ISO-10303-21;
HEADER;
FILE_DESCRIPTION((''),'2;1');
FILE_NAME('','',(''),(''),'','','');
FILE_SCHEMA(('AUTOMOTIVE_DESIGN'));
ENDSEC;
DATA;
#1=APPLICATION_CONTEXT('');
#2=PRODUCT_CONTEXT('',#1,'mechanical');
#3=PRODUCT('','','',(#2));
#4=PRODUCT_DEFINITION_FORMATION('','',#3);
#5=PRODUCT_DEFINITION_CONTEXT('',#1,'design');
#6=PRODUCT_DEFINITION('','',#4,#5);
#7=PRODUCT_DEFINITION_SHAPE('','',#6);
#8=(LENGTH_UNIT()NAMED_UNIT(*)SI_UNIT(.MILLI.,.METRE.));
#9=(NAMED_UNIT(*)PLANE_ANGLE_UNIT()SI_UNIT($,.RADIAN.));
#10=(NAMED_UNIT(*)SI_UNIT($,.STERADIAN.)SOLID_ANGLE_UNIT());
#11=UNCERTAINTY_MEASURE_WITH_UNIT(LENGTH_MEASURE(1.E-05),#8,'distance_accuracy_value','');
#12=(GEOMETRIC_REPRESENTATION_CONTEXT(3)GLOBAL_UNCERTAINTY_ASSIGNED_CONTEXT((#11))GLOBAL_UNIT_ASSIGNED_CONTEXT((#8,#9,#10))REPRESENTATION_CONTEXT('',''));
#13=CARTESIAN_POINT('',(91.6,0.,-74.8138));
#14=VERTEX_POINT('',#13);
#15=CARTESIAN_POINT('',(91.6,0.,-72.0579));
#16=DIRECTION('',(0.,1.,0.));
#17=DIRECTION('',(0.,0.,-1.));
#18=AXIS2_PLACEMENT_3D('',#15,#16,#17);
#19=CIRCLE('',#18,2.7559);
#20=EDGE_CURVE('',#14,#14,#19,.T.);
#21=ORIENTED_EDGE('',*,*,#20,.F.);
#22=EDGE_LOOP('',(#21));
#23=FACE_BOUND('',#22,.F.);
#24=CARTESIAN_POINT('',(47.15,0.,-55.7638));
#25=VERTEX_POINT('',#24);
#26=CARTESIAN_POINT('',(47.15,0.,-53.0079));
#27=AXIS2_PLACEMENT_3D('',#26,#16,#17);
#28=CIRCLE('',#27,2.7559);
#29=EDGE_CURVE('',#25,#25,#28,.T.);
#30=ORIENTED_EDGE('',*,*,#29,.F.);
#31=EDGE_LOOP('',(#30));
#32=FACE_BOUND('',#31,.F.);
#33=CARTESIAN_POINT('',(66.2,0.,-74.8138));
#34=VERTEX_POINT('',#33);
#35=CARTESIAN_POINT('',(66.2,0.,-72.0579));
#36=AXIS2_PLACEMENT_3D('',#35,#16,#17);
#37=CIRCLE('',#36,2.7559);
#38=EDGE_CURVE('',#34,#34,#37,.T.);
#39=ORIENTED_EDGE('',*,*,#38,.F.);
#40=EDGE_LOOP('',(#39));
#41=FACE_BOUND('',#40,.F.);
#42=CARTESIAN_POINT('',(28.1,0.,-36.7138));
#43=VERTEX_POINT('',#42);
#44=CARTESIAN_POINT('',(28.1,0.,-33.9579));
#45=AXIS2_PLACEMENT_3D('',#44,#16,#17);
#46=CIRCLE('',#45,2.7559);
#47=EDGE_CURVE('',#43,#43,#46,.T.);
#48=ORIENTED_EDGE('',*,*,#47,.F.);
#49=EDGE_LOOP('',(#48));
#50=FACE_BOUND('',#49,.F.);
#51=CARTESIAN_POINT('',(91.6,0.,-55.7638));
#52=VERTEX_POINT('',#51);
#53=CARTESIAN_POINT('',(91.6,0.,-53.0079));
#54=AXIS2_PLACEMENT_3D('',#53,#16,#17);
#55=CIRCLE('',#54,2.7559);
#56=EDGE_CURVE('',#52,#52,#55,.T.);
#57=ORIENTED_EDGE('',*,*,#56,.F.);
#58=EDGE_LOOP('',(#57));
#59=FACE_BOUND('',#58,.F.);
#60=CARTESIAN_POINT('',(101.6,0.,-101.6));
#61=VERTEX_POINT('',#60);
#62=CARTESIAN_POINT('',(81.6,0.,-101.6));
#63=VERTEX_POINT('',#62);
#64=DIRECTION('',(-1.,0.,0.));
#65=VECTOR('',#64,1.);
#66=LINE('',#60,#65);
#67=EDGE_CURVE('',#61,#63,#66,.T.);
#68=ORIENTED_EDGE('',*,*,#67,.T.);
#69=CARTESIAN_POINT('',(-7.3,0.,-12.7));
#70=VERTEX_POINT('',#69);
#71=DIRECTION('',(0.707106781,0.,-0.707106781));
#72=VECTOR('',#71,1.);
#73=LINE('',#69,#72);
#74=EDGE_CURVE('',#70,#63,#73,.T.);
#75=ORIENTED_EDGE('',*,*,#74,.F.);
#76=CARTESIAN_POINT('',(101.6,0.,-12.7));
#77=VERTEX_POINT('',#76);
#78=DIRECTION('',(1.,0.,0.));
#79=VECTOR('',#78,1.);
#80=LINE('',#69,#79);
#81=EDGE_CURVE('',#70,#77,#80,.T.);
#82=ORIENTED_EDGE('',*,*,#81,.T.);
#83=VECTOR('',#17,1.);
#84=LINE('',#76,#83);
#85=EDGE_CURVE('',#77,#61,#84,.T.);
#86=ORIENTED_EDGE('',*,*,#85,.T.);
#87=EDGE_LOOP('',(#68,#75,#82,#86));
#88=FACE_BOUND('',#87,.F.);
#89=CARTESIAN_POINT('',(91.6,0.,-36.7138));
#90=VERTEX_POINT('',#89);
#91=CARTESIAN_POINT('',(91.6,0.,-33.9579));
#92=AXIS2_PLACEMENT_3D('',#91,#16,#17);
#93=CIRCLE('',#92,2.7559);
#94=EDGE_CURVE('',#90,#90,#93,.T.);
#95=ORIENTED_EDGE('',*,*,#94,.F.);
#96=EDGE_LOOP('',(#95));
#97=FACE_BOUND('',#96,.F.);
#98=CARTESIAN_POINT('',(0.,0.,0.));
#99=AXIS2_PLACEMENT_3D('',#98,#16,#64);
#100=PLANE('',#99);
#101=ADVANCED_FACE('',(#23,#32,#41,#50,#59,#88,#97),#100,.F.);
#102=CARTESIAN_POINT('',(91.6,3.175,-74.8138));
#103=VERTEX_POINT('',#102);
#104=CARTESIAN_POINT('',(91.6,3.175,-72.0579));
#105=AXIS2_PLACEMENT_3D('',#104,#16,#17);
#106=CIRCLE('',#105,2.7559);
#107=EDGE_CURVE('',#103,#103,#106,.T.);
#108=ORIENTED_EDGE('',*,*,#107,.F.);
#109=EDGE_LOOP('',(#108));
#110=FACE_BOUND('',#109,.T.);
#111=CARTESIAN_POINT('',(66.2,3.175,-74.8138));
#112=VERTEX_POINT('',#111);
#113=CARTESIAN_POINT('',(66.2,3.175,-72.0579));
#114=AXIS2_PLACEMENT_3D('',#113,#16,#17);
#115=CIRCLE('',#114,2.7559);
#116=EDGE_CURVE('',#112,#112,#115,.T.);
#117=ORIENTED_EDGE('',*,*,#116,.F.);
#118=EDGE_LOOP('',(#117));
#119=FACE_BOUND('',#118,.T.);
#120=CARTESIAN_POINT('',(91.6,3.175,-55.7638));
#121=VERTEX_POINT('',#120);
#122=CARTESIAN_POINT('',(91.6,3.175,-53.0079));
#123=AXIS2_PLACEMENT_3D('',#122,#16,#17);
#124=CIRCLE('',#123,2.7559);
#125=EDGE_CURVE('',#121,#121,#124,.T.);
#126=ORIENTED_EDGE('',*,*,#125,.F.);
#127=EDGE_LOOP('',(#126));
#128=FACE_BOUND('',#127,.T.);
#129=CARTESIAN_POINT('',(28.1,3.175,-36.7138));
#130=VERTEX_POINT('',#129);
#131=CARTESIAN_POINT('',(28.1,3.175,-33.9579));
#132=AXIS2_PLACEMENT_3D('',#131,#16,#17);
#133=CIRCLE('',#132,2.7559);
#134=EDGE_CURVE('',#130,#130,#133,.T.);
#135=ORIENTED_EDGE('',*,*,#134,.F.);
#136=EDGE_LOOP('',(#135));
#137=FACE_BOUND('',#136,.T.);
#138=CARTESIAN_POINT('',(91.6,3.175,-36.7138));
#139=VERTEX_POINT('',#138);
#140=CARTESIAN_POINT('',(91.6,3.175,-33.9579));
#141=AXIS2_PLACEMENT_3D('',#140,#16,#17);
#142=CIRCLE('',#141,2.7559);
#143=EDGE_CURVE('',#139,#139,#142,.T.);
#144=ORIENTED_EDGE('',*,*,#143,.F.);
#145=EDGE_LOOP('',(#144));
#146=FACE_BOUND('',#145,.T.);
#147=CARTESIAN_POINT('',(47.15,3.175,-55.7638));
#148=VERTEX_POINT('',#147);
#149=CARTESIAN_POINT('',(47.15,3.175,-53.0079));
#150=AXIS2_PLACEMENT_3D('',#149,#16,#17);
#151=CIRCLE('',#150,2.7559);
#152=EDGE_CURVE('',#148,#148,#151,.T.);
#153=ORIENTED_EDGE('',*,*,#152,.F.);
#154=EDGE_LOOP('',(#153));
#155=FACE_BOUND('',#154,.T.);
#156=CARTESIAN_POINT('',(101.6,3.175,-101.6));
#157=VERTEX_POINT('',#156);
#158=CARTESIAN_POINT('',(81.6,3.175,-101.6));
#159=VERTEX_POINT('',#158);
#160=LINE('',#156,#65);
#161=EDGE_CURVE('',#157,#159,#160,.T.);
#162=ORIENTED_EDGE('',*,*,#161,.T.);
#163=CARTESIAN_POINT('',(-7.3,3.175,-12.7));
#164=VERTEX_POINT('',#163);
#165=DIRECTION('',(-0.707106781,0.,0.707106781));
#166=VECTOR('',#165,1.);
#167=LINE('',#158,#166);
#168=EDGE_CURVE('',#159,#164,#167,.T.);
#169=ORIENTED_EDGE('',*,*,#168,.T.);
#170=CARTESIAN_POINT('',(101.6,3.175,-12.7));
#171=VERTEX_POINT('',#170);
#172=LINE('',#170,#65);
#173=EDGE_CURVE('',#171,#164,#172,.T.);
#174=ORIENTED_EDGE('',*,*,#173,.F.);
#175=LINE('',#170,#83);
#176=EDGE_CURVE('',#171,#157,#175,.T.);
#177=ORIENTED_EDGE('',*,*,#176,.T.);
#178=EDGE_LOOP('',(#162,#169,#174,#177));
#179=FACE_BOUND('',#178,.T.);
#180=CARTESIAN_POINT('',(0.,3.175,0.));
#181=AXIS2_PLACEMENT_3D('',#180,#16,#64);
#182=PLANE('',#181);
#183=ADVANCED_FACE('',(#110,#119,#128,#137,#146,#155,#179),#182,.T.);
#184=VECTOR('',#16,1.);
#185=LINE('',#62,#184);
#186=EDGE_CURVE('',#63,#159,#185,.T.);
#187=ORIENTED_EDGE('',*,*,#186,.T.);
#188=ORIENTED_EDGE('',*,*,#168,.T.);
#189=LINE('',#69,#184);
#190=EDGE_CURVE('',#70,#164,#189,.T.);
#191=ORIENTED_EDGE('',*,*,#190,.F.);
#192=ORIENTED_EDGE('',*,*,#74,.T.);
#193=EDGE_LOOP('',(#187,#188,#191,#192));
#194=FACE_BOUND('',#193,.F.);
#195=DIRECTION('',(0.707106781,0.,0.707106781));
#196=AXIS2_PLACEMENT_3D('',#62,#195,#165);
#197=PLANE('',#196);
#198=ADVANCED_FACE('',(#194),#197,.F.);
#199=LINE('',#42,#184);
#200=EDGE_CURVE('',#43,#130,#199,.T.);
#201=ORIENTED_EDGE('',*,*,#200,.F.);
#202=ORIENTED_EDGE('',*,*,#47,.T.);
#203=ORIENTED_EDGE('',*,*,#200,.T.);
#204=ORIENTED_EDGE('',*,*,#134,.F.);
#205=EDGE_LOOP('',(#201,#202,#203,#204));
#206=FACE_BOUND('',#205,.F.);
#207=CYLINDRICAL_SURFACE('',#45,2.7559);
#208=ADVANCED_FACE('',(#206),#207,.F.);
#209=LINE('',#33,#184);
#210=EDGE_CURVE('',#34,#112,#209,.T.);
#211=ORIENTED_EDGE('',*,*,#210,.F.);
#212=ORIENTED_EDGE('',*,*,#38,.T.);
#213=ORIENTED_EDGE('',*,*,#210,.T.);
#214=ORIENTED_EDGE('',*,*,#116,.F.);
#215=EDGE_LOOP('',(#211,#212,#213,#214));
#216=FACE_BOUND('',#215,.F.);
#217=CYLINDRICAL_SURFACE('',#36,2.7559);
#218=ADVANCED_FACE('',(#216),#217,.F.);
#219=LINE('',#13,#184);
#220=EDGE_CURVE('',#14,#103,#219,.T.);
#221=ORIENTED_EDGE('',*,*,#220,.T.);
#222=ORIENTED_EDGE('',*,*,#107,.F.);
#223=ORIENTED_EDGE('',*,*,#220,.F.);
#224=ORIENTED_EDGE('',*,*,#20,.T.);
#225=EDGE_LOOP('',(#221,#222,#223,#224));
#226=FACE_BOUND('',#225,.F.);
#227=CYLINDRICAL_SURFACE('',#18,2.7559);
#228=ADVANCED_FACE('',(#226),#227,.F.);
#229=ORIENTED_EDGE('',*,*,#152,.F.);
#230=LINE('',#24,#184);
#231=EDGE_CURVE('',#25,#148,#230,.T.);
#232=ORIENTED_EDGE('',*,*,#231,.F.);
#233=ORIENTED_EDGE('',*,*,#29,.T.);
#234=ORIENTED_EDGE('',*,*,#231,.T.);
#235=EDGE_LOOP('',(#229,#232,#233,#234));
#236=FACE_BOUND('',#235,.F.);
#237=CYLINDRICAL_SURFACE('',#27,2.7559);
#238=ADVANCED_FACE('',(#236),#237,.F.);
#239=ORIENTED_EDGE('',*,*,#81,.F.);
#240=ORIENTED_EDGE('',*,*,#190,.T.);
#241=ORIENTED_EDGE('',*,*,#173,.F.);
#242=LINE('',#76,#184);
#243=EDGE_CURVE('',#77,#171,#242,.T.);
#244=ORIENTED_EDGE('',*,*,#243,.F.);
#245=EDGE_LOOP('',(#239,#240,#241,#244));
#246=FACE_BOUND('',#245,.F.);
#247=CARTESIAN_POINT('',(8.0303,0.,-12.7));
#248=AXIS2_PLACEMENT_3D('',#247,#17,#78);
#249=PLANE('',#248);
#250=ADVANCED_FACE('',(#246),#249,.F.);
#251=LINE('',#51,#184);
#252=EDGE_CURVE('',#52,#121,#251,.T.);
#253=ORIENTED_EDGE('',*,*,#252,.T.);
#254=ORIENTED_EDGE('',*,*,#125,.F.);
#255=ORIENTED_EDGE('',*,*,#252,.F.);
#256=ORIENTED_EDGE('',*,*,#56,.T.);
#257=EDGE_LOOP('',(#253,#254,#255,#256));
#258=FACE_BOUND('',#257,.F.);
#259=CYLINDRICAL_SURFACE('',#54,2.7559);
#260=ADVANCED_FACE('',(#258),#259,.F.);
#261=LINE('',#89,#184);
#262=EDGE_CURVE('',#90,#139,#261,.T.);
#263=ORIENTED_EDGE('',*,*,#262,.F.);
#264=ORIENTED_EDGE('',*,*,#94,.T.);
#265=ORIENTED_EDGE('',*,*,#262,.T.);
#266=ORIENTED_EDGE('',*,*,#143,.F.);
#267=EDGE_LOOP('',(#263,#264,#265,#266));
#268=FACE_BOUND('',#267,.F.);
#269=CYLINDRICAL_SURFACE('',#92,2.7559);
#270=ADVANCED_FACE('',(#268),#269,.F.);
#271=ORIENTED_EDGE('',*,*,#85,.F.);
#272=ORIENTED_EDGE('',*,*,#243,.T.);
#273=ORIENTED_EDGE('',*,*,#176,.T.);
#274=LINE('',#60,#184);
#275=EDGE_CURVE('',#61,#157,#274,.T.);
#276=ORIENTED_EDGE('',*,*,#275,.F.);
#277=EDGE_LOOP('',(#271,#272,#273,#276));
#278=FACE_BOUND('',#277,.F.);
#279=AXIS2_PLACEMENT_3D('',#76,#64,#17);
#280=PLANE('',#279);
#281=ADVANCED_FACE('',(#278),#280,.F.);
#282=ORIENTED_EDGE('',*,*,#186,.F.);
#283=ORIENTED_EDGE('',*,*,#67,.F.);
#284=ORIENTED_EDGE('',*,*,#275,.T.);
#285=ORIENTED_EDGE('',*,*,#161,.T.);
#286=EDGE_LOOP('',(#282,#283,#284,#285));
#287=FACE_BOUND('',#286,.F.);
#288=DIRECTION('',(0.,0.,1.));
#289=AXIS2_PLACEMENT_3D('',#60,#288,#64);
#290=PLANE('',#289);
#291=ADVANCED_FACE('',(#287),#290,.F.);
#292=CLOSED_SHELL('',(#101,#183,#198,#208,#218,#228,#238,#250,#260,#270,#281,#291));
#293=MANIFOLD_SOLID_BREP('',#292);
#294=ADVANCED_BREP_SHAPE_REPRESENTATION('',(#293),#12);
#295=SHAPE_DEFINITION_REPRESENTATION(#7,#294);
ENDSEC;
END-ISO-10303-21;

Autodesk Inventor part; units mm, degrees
ref_plane "YZ Plane" through (0, 0, 0) normal (1, 0, 0) x (0, 1, 0)
ref_plane "XZ Plane" through (0, 0, 0) normal (0, 1, 0) x (-1, 0, 0)
ref_plane "XY Plane" through (0, 0, 0) normal (0, 0, 1) x (1, 0, 0)
sketch "Sketch1" plane through (0, 0, 0) normal (0, 1, 0) x (-1, 0, 0)
  line L0 (0, 0) -> (-101.6, 0) construction
  line L1 (-101.6, 0) -> (-101.6, -101.6) construction
  line L2 (-101.6, -101.6) -> (0, -101.6) construction
  line L3 (0, -101.6) -> (0, 0) construction
  line L4 (-101.6, 15.5049) -> (-81.6, 15.5049) construction
  line L5 (-81.6, 15.5049) -> (-81.6, -123.9701) construction
  line L6 (-81.6, -123.9701) -> (-101.6, -123.9701) construction
  line L7 (-101.6, -123.9701) -> (-101.6, 15.5049) construction
  line L8 (-81.6, -101.6) -> (54.3539, 34.3539) construction
  line L9 (54.3539, 34.3539) -> (40.2117, 48.496) construction
  line L10 (40.2117, 48.496) -> (-81.6, -73.3157) construction
  line L11 (-101.6, -101.6) -> (-81.6, -101.6)
  line L12 (-81.6, -101.6) -> (-3.5401, -23.5401)
  line L13 (-8.0303, -12.7) -> (-101.6, -12.7)
  line L14 (-101.6, -12.7) -> (-101.6, -101.6)
  circle A0 centre (-66.2, -72.0579) radius 4.2211
  circle A1 centre (-28.1, -33.9579) radius 4.2211
  circle A2 centre (-91.6, -33.9579) radius 4.2211
  circle A3 centre (-91.6, -72.0579) radius 4.2211
  line L15 (-81.6, -101.6) -> (-101.6, -121.6)
  line L16 (-101.6, -101.6) -> (-101.6, -121.6)
  line L17 (-28.1, -33.9579) -> (-66.2, -72.0579) construction
  line L18 (-8.0303, -12.7) -> (7.3, -12.7)
  line L19 (-3.5401, -23.5401) -> (7.3, -12.7)
  circle A4 centre (-47.15, -53.0079) radius 3.9521
  circle A5 centre (-91.6, -53.0079) radius 4.2211
  dimension "d0" = 101.6
  dimension "d1" = 101.6
  dimension "d2" = 20
  dimension "d3" = 20
  dimension "d4" = 45
  dimension "d11" = 10
  dimension "d13" = 10
  dimension "d15" = 25.4
  dimension "d16" = 38.1
  dimension "d17" = 88.9
extrude "Extrusion1" add sketch "Sketch1" along normal blind 3.175 contours L14 L13 L18 L19 L12 L11 | A0 | A1 | A2 | A3 | A4 | A5
hole "Hole1" at (91.6, 0, -33.9579) at (91.6, 0, -72.0579) at (66.2, 0, -72.0579) at (28.1, 0, -33.9579) at (47.15, 0, -53.0079) at (91.6, 0, -53.0079) direction (0, 1, 0) diameter 5.5118 end through all clearance for "Flat Head Machine Screw" size "M5" standard "Ansi Metric M Profile"
equation "\"d3\" = d2"
properties part number "CH-1-01-FrontKneeJoint"
